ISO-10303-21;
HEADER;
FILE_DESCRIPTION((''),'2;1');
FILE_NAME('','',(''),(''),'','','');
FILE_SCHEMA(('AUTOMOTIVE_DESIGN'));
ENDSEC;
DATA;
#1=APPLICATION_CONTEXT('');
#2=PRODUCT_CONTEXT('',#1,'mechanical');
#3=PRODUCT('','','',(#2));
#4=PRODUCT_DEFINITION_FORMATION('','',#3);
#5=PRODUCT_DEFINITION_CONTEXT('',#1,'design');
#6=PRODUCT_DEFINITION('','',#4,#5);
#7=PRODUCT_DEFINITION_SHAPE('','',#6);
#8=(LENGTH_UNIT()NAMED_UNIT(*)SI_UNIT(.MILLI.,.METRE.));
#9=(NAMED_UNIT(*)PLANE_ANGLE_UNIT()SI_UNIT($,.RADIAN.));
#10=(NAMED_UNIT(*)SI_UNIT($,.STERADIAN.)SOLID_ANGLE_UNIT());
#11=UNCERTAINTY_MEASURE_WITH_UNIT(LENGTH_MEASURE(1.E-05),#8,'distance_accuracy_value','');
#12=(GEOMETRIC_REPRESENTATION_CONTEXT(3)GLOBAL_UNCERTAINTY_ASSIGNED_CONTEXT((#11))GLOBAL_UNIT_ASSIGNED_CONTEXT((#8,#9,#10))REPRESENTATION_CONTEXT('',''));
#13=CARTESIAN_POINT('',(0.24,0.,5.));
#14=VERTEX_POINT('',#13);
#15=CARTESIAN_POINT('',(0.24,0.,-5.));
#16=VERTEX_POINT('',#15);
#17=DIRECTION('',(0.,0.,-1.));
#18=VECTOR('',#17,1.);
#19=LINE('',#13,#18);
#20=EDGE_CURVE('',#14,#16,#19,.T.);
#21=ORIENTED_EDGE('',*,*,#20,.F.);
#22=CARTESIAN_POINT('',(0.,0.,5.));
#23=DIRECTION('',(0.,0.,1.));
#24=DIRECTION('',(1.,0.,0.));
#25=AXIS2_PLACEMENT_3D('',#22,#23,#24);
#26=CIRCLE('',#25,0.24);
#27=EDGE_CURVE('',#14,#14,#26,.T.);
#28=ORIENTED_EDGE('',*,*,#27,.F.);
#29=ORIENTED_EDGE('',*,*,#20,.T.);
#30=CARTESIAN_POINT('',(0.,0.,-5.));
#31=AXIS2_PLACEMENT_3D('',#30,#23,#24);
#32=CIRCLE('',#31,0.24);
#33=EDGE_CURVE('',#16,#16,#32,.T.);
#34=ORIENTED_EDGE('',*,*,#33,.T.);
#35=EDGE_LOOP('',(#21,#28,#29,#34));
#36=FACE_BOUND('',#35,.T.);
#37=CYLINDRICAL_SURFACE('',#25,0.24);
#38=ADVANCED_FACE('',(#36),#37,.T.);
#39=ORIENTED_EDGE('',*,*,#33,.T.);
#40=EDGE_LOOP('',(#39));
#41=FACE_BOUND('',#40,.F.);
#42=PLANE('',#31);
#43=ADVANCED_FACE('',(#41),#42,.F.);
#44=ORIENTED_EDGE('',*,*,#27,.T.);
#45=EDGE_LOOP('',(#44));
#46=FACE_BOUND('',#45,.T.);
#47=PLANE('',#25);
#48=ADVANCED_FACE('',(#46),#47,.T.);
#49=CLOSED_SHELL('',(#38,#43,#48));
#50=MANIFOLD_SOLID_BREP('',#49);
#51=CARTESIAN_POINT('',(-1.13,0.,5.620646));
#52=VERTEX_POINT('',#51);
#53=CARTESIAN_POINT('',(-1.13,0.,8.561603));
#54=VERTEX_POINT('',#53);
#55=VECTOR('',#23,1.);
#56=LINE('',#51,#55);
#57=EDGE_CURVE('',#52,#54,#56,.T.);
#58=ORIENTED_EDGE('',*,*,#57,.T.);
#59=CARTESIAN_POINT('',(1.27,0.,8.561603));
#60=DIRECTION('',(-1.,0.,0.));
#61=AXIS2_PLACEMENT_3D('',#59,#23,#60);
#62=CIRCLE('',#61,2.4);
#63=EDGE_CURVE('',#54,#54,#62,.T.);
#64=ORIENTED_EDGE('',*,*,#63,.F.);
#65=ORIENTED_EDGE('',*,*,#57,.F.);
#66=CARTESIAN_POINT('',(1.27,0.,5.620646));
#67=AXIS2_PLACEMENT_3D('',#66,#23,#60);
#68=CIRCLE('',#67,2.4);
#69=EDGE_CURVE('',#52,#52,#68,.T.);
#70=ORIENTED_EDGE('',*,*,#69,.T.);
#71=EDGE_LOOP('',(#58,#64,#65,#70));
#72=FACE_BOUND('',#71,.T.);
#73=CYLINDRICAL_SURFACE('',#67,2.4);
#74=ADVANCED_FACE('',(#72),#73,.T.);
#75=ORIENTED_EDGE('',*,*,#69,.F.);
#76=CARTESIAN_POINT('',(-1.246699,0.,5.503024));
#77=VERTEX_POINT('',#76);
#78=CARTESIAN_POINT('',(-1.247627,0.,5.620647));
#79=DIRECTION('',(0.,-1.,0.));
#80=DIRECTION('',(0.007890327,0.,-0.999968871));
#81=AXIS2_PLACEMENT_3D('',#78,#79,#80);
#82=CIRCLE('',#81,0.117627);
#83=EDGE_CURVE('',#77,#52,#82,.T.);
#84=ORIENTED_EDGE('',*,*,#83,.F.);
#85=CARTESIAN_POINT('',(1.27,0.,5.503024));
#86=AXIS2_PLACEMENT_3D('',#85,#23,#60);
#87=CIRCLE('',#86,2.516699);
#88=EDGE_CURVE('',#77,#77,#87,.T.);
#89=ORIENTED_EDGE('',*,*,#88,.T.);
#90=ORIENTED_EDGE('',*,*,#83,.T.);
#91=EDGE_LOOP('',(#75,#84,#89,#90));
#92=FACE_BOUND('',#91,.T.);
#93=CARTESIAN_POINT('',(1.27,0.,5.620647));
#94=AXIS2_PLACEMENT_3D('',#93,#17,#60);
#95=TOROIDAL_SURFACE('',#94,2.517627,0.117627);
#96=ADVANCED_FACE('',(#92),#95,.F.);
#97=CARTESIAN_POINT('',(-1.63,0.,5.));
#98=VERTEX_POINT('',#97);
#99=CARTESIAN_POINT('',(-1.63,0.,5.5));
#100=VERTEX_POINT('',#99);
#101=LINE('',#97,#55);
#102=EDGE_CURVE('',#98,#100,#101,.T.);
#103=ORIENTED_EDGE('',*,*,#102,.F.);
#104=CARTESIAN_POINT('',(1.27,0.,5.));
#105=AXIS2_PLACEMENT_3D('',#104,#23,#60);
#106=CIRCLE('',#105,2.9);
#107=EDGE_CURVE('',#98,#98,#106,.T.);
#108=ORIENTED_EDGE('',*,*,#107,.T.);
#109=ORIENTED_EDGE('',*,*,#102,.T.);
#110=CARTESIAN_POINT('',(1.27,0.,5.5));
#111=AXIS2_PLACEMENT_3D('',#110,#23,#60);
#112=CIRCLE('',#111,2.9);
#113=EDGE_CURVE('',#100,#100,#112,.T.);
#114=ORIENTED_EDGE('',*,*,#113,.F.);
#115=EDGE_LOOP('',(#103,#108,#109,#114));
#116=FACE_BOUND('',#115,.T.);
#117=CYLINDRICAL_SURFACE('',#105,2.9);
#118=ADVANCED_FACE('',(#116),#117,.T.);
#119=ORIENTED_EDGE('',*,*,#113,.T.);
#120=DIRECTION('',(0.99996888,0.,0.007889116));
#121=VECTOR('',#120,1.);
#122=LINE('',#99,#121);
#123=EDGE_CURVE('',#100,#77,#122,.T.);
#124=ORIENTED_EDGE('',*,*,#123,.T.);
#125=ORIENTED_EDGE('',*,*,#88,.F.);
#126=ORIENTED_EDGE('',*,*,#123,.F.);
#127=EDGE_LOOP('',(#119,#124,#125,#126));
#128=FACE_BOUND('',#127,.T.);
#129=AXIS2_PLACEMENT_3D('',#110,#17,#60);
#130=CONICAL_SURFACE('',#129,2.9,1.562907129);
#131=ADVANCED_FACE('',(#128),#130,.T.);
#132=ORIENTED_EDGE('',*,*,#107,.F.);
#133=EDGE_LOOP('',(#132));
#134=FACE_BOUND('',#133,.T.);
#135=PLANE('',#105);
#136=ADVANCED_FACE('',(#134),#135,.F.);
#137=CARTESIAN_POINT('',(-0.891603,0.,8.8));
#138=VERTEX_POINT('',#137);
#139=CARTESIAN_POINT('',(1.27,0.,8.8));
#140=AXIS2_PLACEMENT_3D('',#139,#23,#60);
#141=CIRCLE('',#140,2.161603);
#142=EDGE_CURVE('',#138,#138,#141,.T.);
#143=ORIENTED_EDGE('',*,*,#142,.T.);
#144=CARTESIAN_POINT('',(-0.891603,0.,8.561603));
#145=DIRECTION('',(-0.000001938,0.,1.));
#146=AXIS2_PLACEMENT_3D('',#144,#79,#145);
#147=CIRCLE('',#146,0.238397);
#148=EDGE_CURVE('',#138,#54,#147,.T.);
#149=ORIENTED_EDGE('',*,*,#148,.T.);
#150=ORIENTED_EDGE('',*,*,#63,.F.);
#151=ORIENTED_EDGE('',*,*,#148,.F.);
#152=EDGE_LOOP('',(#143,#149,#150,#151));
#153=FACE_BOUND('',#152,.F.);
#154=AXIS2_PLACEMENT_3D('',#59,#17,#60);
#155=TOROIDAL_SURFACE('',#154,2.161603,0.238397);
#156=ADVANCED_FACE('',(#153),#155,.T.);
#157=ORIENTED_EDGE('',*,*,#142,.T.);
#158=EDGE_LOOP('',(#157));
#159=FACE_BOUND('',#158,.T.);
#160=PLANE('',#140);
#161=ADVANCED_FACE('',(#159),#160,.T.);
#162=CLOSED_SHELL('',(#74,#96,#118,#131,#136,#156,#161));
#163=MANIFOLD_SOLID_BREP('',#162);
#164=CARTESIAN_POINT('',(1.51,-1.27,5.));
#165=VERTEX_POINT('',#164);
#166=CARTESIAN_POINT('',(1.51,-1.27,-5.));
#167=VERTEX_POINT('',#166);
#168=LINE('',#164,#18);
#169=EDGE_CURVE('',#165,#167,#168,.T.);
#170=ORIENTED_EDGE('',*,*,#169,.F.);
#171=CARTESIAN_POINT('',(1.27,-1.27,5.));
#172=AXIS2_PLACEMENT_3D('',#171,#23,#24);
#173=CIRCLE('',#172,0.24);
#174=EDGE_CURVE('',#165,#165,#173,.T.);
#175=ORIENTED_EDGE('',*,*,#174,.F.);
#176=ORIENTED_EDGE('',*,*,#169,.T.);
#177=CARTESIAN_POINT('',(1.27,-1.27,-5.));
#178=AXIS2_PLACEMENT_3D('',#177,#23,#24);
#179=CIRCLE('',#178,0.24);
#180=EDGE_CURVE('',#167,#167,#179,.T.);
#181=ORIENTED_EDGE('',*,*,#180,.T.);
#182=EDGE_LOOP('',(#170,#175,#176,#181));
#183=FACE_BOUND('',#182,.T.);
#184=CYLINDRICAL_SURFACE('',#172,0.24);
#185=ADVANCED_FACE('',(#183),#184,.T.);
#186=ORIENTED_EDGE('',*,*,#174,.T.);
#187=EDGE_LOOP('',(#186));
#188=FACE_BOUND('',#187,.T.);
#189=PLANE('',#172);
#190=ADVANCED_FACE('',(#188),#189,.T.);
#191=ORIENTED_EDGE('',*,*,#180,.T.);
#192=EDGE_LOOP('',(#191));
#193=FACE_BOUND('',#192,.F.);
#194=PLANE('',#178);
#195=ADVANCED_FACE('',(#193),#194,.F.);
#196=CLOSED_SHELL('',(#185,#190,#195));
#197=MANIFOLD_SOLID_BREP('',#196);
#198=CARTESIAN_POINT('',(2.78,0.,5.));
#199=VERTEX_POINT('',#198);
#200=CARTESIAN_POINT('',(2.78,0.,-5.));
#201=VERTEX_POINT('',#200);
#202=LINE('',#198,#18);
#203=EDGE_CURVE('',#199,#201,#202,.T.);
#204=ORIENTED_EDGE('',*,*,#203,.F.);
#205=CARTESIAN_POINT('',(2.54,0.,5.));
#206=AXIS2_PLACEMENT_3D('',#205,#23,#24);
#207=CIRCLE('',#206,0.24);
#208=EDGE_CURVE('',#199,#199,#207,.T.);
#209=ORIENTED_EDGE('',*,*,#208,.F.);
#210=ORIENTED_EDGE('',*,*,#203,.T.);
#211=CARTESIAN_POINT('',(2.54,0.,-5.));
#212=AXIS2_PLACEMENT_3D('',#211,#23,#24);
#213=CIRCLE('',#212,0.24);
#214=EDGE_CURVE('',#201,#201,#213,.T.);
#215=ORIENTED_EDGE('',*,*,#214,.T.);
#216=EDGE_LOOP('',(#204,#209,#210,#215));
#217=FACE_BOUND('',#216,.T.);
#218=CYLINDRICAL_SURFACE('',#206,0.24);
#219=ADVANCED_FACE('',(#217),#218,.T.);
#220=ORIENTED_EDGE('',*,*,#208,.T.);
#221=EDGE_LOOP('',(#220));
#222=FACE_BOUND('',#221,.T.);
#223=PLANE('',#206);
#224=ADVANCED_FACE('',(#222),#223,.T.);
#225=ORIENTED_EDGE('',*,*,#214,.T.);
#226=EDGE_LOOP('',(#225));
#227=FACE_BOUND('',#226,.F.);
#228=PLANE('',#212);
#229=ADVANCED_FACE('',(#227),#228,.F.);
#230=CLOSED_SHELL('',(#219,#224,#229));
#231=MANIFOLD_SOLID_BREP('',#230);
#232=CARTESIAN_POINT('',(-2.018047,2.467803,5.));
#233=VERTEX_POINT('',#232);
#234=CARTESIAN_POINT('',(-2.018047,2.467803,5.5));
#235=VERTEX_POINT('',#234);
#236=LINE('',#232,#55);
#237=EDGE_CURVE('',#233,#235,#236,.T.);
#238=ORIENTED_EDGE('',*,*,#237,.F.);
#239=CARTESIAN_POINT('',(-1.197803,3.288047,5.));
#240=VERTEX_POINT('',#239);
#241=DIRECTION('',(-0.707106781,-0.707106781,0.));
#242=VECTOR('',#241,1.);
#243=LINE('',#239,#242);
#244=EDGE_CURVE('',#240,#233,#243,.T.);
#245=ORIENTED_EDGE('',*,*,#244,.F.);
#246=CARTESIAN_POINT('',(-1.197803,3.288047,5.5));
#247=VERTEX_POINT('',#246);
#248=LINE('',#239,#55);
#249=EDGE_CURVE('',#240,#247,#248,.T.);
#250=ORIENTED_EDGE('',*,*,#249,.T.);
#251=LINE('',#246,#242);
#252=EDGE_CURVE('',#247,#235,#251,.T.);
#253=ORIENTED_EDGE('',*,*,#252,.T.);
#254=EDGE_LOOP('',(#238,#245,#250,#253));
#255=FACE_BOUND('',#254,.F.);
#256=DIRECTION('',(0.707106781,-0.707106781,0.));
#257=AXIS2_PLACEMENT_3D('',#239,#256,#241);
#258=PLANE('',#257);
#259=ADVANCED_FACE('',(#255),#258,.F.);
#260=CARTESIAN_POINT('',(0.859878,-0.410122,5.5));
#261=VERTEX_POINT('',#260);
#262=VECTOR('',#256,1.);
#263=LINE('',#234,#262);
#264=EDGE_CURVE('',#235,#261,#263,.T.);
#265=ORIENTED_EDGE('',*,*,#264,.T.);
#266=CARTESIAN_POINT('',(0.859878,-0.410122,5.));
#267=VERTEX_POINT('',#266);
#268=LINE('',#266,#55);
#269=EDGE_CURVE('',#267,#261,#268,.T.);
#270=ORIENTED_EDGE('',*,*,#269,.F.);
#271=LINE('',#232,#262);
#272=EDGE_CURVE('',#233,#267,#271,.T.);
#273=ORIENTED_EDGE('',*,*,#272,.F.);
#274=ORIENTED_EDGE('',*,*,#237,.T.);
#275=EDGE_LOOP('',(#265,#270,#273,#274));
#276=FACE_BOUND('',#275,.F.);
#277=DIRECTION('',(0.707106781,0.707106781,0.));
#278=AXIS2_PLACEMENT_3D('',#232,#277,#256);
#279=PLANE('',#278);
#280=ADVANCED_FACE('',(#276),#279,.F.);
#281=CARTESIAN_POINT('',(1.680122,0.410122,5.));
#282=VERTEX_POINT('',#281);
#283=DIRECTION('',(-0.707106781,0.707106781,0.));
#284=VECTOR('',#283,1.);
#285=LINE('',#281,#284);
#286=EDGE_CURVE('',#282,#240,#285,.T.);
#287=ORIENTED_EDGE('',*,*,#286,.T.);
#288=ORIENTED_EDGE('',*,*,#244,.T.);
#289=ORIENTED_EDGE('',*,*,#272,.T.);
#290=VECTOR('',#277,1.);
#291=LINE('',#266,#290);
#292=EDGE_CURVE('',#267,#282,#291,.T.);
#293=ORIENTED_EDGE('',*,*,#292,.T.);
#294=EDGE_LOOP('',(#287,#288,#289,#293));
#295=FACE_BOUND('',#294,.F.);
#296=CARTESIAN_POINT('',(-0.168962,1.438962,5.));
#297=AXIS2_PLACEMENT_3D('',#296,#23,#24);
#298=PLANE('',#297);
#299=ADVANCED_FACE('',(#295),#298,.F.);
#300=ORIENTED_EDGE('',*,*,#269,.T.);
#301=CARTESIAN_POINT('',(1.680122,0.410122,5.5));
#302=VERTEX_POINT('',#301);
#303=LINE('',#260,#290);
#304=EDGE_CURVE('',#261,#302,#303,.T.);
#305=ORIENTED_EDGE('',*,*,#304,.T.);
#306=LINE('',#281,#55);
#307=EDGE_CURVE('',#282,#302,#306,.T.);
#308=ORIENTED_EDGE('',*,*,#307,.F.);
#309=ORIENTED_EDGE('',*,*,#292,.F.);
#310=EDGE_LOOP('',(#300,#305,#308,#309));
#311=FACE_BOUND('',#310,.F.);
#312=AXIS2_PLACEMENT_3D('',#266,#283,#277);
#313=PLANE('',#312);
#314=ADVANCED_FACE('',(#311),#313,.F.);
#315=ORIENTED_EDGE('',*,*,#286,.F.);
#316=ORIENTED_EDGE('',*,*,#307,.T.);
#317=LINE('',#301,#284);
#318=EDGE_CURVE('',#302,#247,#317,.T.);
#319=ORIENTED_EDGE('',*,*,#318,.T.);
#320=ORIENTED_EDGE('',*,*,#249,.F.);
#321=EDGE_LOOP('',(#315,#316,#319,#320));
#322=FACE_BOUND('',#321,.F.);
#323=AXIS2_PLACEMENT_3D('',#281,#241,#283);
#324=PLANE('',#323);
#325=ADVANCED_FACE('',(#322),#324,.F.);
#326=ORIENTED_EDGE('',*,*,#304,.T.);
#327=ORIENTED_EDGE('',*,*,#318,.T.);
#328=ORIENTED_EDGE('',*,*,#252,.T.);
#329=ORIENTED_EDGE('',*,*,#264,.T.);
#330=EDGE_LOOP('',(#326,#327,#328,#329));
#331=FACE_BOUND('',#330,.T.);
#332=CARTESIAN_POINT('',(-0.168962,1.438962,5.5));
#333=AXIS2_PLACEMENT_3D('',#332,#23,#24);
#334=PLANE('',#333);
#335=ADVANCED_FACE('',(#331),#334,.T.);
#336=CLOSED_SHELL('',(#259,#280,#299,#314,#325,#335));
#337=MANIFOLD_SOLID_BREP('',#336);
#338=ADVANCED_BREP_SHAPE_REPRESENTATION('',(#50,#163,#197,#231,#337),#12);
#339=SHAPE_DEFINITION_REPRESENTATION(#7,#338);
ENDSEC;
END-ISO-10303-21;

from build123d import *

# Parameters (mm, degrees)
SKETCH_R     = 0.24
PAD_DEPTH    = 10
PAD003_DEPTH = 0.5


with BuildPart() as pad:
    # Sketch → Pad (new body)
    with BuildSketch(Plane.XY.offset(5)):
        Circle(SKETCH_R)
        with Locations((2.54, 0)):
            Circle(SKETCH_R)
        with Locations((1.27, -1.27)):
            Circle(SKETCH_R)
    extrude(amount=-PAD_DEPTH)


with BuildPart() as revolution:
    # Sketch003 → Revolution (revolve)
    with BuildSketch(Plane.XZ):
        with BuildLine():
            Line((1.27, 5), (-1.63, 5))
            Line((-1.63, 5), (-1.63, 5.5))
            Line((-1.63, 5.5), (-1.246699, 5.503024))
            ThreePointArc((-1.246699, 5.503024), (-1.164125, 5.537801), (-1.13, 5.620646))
            Line((-1.13, 5.620646), (-1.13, 8.561603))
            ThreePointArc((-0.891603, 8.8), (-1.060175, 8.730175), (-1.13, 8.561603))
            Line((-0.891603, 8.8), (1.27, 8.8))
            Line((1.27, 8.8), (1.27, 5))
        make_face()
    revolve(axis=Axis((1.27, 0, 2.550668), (0, 0, 1)))


with BuildPart() as pad003:
    # Sketch004 → Pad003 (new body)
    with BuildSketch(Plane.XY.offset(5)):
        Polygon((1.680122, 0.410122), (-1.197803, 3.288047), (-2.018047, 2.467803), (0.859878, -0.410122), align=None)
    extrude(amount=PAD003_DEPTH)


solid = Compound([pad.part, revolution.part, pad003.part])
